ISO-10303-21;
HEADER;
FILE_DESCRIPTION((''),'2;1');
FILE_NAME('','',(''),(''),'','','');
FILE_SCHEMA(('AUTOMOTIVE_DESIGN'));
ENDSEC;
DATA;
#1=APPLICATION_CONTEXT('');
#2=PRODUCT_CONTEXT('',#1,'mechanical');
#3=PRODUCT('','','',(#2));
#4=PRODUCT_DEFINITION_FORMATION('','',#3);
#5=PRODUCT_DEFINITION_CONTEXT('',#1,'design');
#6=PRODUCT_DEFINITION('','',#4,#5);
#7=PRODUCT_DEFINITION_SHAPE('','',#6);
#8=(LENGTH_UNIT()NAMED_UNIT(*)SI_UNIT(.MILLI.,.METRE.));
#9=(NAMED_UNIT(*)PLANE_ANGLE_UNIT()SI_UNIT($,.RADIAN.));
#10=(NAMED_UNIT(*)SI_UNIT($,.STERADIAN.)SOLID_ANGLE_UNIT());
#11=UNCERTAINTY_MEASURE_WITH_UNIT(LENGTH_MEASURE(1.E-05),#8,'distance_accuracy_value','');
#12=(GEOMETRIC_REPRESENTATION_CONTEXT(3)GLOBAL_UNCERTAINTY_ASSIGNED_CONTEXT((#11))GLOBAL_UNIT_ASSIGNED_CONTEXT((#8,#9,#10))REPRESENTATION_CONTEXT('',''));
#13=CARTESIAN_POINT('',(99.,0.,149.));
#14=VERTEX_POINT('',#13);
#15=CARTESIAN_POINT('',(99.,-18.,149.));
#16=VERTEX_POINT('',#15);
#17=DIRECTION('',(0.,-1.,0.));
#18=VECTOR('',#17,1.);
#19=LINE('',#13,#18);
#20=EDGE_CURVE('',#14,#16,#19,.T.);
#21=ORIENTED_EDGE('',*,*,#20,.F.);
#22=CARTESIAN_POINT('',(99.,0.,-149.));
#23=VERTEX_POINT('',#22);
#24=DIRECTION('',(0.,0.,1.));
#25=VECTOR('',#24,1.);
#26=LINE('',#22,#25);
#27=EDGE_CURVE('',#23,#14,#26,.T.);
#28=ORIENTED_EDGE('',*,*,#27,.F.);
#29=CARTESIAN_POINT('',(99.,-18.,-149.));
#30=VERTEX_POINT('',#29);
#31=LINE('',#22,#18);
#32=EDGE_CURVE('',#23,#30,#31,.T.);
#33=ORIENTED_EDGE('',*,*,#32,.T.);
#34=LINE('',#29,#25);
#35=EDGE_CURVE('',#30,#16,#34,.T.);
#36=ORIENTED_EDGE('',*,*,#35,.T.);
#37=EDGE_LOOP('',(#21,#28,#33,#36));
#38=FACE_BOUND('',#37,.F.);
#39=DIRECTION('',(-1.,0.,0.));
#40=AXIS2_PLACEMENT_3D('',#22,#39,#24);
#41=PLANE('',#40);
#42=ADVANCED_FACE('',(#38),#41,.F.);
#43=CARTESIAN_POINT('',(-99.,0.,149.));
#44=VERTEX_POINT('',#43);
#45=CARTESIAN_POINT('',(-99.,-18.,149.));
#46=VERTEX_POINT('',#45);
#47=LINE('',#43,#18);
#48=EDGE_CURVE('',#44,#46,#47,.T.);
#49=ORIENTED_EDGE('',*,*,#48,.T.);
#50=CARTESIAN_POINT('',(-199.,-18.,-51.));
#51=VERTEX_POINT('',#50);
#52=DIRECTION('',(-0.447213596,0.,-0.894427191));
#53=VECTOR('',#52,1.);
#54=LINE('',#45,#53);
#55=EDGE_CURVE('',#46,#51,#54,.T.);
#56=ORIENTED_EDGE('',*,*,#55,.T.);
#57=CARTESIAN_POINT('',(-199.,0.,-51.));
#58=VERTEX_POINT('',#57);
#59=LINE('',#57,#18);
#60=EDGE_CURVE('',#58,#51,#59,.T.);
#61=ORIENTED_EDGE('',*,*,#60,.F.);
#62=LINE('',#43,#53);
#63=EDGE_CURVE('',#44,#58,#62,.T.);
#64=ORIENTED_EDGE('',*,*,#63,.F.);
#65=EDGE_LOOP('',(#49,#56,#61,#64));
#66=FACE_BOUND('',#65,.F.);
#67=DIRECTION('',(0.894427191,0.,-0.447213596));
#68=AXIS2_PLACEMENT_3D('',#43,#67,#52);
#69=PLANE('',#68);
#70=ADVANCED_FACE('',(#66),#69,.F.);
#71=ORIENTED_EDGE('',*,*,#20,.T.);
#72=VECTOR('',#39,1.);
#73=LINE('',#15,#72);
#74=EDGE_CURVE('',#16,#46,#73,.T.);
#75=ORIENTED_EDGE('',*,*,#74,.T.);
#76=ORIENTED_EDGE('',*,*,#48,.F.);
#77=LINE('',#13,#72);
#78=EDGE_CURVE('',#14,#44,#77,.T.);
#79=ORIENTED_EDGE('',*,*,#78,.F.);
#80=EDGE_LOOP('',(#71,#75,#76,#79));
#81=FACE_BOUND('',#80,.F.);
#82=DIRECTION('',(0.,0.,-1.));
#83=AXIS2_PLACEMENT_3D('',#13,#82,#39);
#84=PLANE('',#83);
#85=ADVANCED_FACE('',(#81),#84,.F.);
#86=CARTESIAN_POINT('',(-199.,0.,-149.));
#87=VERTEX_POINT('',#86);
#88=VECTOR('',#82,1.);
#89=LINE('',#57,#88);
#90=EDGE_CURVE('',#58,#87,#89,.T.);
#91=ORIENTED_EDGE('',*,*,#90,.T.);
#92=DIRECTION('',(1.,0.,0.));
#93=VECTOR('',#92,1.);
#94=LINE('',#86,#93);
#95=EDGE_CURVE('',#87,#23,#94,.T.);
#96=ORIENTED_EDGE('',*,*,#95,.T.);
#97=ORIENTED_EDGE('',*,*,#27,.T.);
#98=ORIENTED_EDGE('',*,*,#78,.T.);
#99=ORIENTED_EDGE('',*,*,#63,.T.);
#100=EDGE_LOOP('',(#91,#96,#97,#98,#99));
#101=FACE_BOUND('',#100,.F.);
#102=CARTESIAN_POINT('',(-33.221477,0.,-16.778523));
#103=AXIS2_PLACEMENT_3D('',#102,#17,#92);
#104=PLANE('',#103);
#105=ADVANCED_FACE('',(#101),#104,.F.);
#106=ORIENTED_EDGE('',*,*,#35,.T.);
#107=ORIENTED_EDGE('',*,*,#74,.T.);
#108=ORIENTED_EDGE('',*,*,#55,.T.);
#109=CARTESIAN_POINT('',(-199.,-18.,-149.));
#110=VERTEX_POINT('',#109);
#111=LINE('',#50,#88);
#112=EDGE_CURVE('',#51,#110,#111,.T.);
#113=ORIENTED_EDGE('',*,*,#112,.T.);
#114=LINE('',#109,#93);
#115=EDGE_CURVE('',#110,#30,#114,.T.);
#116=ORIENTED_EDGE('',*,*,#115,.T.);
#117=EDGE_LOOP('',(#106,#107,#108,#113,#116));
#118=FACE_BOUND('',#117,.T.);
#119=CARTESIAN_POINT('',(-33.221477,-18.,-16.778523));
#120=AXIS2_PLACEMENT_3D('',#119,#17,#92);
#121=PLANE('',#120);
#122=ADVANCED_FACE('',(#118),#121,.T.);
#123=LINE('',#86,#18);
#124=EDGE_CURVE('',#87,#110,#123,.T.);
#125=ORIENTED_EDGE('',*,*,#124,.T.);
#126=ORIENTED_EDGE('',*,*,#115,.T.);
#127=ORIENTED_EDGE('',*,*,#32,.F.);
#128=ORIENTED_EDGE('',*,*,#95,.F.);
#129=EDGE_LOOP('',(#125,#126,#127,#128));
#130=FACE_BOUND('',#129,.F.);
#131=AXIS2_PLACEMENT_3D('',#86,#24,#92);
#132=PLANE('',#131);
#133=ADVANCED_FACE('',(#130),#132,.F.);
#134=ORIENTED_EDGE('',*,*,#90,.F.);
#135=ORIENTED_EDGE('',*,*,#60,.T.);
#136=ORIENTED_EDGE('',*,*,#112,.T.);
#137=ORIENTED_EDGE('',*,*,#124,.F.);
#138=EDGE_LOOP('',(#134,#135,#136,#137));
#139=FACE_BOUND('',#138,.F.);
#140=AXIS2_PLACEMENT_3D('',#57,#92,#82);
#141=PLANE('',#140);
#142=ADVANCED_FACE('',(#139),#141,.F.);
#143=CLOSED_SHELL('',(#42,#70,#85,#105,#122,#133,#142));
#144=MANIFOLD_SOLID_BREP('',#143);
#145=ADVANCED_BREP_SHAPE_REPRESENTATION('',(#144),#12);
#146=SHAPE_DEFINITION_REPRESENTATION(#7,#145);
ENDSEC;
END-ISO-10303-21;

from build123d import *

# Parameters (mm, degrees)
F1_DEPTH = 18


with BuildPart() as f1:
    # F0 (on Front) → F1 (new body)
    with BuildSketch(Plane.XZ):
        Polygon((-199, -149), (-99, -149), (99, -149), (99, -51), (99, 149), (-99, 149), (-99, -51), (-199, -51), align=None)
        Polygon((-99, 149), (-199, -51), (-99, -51), align=None)
    extrude(amount=F1_DEPTH)


solid = f1.part
